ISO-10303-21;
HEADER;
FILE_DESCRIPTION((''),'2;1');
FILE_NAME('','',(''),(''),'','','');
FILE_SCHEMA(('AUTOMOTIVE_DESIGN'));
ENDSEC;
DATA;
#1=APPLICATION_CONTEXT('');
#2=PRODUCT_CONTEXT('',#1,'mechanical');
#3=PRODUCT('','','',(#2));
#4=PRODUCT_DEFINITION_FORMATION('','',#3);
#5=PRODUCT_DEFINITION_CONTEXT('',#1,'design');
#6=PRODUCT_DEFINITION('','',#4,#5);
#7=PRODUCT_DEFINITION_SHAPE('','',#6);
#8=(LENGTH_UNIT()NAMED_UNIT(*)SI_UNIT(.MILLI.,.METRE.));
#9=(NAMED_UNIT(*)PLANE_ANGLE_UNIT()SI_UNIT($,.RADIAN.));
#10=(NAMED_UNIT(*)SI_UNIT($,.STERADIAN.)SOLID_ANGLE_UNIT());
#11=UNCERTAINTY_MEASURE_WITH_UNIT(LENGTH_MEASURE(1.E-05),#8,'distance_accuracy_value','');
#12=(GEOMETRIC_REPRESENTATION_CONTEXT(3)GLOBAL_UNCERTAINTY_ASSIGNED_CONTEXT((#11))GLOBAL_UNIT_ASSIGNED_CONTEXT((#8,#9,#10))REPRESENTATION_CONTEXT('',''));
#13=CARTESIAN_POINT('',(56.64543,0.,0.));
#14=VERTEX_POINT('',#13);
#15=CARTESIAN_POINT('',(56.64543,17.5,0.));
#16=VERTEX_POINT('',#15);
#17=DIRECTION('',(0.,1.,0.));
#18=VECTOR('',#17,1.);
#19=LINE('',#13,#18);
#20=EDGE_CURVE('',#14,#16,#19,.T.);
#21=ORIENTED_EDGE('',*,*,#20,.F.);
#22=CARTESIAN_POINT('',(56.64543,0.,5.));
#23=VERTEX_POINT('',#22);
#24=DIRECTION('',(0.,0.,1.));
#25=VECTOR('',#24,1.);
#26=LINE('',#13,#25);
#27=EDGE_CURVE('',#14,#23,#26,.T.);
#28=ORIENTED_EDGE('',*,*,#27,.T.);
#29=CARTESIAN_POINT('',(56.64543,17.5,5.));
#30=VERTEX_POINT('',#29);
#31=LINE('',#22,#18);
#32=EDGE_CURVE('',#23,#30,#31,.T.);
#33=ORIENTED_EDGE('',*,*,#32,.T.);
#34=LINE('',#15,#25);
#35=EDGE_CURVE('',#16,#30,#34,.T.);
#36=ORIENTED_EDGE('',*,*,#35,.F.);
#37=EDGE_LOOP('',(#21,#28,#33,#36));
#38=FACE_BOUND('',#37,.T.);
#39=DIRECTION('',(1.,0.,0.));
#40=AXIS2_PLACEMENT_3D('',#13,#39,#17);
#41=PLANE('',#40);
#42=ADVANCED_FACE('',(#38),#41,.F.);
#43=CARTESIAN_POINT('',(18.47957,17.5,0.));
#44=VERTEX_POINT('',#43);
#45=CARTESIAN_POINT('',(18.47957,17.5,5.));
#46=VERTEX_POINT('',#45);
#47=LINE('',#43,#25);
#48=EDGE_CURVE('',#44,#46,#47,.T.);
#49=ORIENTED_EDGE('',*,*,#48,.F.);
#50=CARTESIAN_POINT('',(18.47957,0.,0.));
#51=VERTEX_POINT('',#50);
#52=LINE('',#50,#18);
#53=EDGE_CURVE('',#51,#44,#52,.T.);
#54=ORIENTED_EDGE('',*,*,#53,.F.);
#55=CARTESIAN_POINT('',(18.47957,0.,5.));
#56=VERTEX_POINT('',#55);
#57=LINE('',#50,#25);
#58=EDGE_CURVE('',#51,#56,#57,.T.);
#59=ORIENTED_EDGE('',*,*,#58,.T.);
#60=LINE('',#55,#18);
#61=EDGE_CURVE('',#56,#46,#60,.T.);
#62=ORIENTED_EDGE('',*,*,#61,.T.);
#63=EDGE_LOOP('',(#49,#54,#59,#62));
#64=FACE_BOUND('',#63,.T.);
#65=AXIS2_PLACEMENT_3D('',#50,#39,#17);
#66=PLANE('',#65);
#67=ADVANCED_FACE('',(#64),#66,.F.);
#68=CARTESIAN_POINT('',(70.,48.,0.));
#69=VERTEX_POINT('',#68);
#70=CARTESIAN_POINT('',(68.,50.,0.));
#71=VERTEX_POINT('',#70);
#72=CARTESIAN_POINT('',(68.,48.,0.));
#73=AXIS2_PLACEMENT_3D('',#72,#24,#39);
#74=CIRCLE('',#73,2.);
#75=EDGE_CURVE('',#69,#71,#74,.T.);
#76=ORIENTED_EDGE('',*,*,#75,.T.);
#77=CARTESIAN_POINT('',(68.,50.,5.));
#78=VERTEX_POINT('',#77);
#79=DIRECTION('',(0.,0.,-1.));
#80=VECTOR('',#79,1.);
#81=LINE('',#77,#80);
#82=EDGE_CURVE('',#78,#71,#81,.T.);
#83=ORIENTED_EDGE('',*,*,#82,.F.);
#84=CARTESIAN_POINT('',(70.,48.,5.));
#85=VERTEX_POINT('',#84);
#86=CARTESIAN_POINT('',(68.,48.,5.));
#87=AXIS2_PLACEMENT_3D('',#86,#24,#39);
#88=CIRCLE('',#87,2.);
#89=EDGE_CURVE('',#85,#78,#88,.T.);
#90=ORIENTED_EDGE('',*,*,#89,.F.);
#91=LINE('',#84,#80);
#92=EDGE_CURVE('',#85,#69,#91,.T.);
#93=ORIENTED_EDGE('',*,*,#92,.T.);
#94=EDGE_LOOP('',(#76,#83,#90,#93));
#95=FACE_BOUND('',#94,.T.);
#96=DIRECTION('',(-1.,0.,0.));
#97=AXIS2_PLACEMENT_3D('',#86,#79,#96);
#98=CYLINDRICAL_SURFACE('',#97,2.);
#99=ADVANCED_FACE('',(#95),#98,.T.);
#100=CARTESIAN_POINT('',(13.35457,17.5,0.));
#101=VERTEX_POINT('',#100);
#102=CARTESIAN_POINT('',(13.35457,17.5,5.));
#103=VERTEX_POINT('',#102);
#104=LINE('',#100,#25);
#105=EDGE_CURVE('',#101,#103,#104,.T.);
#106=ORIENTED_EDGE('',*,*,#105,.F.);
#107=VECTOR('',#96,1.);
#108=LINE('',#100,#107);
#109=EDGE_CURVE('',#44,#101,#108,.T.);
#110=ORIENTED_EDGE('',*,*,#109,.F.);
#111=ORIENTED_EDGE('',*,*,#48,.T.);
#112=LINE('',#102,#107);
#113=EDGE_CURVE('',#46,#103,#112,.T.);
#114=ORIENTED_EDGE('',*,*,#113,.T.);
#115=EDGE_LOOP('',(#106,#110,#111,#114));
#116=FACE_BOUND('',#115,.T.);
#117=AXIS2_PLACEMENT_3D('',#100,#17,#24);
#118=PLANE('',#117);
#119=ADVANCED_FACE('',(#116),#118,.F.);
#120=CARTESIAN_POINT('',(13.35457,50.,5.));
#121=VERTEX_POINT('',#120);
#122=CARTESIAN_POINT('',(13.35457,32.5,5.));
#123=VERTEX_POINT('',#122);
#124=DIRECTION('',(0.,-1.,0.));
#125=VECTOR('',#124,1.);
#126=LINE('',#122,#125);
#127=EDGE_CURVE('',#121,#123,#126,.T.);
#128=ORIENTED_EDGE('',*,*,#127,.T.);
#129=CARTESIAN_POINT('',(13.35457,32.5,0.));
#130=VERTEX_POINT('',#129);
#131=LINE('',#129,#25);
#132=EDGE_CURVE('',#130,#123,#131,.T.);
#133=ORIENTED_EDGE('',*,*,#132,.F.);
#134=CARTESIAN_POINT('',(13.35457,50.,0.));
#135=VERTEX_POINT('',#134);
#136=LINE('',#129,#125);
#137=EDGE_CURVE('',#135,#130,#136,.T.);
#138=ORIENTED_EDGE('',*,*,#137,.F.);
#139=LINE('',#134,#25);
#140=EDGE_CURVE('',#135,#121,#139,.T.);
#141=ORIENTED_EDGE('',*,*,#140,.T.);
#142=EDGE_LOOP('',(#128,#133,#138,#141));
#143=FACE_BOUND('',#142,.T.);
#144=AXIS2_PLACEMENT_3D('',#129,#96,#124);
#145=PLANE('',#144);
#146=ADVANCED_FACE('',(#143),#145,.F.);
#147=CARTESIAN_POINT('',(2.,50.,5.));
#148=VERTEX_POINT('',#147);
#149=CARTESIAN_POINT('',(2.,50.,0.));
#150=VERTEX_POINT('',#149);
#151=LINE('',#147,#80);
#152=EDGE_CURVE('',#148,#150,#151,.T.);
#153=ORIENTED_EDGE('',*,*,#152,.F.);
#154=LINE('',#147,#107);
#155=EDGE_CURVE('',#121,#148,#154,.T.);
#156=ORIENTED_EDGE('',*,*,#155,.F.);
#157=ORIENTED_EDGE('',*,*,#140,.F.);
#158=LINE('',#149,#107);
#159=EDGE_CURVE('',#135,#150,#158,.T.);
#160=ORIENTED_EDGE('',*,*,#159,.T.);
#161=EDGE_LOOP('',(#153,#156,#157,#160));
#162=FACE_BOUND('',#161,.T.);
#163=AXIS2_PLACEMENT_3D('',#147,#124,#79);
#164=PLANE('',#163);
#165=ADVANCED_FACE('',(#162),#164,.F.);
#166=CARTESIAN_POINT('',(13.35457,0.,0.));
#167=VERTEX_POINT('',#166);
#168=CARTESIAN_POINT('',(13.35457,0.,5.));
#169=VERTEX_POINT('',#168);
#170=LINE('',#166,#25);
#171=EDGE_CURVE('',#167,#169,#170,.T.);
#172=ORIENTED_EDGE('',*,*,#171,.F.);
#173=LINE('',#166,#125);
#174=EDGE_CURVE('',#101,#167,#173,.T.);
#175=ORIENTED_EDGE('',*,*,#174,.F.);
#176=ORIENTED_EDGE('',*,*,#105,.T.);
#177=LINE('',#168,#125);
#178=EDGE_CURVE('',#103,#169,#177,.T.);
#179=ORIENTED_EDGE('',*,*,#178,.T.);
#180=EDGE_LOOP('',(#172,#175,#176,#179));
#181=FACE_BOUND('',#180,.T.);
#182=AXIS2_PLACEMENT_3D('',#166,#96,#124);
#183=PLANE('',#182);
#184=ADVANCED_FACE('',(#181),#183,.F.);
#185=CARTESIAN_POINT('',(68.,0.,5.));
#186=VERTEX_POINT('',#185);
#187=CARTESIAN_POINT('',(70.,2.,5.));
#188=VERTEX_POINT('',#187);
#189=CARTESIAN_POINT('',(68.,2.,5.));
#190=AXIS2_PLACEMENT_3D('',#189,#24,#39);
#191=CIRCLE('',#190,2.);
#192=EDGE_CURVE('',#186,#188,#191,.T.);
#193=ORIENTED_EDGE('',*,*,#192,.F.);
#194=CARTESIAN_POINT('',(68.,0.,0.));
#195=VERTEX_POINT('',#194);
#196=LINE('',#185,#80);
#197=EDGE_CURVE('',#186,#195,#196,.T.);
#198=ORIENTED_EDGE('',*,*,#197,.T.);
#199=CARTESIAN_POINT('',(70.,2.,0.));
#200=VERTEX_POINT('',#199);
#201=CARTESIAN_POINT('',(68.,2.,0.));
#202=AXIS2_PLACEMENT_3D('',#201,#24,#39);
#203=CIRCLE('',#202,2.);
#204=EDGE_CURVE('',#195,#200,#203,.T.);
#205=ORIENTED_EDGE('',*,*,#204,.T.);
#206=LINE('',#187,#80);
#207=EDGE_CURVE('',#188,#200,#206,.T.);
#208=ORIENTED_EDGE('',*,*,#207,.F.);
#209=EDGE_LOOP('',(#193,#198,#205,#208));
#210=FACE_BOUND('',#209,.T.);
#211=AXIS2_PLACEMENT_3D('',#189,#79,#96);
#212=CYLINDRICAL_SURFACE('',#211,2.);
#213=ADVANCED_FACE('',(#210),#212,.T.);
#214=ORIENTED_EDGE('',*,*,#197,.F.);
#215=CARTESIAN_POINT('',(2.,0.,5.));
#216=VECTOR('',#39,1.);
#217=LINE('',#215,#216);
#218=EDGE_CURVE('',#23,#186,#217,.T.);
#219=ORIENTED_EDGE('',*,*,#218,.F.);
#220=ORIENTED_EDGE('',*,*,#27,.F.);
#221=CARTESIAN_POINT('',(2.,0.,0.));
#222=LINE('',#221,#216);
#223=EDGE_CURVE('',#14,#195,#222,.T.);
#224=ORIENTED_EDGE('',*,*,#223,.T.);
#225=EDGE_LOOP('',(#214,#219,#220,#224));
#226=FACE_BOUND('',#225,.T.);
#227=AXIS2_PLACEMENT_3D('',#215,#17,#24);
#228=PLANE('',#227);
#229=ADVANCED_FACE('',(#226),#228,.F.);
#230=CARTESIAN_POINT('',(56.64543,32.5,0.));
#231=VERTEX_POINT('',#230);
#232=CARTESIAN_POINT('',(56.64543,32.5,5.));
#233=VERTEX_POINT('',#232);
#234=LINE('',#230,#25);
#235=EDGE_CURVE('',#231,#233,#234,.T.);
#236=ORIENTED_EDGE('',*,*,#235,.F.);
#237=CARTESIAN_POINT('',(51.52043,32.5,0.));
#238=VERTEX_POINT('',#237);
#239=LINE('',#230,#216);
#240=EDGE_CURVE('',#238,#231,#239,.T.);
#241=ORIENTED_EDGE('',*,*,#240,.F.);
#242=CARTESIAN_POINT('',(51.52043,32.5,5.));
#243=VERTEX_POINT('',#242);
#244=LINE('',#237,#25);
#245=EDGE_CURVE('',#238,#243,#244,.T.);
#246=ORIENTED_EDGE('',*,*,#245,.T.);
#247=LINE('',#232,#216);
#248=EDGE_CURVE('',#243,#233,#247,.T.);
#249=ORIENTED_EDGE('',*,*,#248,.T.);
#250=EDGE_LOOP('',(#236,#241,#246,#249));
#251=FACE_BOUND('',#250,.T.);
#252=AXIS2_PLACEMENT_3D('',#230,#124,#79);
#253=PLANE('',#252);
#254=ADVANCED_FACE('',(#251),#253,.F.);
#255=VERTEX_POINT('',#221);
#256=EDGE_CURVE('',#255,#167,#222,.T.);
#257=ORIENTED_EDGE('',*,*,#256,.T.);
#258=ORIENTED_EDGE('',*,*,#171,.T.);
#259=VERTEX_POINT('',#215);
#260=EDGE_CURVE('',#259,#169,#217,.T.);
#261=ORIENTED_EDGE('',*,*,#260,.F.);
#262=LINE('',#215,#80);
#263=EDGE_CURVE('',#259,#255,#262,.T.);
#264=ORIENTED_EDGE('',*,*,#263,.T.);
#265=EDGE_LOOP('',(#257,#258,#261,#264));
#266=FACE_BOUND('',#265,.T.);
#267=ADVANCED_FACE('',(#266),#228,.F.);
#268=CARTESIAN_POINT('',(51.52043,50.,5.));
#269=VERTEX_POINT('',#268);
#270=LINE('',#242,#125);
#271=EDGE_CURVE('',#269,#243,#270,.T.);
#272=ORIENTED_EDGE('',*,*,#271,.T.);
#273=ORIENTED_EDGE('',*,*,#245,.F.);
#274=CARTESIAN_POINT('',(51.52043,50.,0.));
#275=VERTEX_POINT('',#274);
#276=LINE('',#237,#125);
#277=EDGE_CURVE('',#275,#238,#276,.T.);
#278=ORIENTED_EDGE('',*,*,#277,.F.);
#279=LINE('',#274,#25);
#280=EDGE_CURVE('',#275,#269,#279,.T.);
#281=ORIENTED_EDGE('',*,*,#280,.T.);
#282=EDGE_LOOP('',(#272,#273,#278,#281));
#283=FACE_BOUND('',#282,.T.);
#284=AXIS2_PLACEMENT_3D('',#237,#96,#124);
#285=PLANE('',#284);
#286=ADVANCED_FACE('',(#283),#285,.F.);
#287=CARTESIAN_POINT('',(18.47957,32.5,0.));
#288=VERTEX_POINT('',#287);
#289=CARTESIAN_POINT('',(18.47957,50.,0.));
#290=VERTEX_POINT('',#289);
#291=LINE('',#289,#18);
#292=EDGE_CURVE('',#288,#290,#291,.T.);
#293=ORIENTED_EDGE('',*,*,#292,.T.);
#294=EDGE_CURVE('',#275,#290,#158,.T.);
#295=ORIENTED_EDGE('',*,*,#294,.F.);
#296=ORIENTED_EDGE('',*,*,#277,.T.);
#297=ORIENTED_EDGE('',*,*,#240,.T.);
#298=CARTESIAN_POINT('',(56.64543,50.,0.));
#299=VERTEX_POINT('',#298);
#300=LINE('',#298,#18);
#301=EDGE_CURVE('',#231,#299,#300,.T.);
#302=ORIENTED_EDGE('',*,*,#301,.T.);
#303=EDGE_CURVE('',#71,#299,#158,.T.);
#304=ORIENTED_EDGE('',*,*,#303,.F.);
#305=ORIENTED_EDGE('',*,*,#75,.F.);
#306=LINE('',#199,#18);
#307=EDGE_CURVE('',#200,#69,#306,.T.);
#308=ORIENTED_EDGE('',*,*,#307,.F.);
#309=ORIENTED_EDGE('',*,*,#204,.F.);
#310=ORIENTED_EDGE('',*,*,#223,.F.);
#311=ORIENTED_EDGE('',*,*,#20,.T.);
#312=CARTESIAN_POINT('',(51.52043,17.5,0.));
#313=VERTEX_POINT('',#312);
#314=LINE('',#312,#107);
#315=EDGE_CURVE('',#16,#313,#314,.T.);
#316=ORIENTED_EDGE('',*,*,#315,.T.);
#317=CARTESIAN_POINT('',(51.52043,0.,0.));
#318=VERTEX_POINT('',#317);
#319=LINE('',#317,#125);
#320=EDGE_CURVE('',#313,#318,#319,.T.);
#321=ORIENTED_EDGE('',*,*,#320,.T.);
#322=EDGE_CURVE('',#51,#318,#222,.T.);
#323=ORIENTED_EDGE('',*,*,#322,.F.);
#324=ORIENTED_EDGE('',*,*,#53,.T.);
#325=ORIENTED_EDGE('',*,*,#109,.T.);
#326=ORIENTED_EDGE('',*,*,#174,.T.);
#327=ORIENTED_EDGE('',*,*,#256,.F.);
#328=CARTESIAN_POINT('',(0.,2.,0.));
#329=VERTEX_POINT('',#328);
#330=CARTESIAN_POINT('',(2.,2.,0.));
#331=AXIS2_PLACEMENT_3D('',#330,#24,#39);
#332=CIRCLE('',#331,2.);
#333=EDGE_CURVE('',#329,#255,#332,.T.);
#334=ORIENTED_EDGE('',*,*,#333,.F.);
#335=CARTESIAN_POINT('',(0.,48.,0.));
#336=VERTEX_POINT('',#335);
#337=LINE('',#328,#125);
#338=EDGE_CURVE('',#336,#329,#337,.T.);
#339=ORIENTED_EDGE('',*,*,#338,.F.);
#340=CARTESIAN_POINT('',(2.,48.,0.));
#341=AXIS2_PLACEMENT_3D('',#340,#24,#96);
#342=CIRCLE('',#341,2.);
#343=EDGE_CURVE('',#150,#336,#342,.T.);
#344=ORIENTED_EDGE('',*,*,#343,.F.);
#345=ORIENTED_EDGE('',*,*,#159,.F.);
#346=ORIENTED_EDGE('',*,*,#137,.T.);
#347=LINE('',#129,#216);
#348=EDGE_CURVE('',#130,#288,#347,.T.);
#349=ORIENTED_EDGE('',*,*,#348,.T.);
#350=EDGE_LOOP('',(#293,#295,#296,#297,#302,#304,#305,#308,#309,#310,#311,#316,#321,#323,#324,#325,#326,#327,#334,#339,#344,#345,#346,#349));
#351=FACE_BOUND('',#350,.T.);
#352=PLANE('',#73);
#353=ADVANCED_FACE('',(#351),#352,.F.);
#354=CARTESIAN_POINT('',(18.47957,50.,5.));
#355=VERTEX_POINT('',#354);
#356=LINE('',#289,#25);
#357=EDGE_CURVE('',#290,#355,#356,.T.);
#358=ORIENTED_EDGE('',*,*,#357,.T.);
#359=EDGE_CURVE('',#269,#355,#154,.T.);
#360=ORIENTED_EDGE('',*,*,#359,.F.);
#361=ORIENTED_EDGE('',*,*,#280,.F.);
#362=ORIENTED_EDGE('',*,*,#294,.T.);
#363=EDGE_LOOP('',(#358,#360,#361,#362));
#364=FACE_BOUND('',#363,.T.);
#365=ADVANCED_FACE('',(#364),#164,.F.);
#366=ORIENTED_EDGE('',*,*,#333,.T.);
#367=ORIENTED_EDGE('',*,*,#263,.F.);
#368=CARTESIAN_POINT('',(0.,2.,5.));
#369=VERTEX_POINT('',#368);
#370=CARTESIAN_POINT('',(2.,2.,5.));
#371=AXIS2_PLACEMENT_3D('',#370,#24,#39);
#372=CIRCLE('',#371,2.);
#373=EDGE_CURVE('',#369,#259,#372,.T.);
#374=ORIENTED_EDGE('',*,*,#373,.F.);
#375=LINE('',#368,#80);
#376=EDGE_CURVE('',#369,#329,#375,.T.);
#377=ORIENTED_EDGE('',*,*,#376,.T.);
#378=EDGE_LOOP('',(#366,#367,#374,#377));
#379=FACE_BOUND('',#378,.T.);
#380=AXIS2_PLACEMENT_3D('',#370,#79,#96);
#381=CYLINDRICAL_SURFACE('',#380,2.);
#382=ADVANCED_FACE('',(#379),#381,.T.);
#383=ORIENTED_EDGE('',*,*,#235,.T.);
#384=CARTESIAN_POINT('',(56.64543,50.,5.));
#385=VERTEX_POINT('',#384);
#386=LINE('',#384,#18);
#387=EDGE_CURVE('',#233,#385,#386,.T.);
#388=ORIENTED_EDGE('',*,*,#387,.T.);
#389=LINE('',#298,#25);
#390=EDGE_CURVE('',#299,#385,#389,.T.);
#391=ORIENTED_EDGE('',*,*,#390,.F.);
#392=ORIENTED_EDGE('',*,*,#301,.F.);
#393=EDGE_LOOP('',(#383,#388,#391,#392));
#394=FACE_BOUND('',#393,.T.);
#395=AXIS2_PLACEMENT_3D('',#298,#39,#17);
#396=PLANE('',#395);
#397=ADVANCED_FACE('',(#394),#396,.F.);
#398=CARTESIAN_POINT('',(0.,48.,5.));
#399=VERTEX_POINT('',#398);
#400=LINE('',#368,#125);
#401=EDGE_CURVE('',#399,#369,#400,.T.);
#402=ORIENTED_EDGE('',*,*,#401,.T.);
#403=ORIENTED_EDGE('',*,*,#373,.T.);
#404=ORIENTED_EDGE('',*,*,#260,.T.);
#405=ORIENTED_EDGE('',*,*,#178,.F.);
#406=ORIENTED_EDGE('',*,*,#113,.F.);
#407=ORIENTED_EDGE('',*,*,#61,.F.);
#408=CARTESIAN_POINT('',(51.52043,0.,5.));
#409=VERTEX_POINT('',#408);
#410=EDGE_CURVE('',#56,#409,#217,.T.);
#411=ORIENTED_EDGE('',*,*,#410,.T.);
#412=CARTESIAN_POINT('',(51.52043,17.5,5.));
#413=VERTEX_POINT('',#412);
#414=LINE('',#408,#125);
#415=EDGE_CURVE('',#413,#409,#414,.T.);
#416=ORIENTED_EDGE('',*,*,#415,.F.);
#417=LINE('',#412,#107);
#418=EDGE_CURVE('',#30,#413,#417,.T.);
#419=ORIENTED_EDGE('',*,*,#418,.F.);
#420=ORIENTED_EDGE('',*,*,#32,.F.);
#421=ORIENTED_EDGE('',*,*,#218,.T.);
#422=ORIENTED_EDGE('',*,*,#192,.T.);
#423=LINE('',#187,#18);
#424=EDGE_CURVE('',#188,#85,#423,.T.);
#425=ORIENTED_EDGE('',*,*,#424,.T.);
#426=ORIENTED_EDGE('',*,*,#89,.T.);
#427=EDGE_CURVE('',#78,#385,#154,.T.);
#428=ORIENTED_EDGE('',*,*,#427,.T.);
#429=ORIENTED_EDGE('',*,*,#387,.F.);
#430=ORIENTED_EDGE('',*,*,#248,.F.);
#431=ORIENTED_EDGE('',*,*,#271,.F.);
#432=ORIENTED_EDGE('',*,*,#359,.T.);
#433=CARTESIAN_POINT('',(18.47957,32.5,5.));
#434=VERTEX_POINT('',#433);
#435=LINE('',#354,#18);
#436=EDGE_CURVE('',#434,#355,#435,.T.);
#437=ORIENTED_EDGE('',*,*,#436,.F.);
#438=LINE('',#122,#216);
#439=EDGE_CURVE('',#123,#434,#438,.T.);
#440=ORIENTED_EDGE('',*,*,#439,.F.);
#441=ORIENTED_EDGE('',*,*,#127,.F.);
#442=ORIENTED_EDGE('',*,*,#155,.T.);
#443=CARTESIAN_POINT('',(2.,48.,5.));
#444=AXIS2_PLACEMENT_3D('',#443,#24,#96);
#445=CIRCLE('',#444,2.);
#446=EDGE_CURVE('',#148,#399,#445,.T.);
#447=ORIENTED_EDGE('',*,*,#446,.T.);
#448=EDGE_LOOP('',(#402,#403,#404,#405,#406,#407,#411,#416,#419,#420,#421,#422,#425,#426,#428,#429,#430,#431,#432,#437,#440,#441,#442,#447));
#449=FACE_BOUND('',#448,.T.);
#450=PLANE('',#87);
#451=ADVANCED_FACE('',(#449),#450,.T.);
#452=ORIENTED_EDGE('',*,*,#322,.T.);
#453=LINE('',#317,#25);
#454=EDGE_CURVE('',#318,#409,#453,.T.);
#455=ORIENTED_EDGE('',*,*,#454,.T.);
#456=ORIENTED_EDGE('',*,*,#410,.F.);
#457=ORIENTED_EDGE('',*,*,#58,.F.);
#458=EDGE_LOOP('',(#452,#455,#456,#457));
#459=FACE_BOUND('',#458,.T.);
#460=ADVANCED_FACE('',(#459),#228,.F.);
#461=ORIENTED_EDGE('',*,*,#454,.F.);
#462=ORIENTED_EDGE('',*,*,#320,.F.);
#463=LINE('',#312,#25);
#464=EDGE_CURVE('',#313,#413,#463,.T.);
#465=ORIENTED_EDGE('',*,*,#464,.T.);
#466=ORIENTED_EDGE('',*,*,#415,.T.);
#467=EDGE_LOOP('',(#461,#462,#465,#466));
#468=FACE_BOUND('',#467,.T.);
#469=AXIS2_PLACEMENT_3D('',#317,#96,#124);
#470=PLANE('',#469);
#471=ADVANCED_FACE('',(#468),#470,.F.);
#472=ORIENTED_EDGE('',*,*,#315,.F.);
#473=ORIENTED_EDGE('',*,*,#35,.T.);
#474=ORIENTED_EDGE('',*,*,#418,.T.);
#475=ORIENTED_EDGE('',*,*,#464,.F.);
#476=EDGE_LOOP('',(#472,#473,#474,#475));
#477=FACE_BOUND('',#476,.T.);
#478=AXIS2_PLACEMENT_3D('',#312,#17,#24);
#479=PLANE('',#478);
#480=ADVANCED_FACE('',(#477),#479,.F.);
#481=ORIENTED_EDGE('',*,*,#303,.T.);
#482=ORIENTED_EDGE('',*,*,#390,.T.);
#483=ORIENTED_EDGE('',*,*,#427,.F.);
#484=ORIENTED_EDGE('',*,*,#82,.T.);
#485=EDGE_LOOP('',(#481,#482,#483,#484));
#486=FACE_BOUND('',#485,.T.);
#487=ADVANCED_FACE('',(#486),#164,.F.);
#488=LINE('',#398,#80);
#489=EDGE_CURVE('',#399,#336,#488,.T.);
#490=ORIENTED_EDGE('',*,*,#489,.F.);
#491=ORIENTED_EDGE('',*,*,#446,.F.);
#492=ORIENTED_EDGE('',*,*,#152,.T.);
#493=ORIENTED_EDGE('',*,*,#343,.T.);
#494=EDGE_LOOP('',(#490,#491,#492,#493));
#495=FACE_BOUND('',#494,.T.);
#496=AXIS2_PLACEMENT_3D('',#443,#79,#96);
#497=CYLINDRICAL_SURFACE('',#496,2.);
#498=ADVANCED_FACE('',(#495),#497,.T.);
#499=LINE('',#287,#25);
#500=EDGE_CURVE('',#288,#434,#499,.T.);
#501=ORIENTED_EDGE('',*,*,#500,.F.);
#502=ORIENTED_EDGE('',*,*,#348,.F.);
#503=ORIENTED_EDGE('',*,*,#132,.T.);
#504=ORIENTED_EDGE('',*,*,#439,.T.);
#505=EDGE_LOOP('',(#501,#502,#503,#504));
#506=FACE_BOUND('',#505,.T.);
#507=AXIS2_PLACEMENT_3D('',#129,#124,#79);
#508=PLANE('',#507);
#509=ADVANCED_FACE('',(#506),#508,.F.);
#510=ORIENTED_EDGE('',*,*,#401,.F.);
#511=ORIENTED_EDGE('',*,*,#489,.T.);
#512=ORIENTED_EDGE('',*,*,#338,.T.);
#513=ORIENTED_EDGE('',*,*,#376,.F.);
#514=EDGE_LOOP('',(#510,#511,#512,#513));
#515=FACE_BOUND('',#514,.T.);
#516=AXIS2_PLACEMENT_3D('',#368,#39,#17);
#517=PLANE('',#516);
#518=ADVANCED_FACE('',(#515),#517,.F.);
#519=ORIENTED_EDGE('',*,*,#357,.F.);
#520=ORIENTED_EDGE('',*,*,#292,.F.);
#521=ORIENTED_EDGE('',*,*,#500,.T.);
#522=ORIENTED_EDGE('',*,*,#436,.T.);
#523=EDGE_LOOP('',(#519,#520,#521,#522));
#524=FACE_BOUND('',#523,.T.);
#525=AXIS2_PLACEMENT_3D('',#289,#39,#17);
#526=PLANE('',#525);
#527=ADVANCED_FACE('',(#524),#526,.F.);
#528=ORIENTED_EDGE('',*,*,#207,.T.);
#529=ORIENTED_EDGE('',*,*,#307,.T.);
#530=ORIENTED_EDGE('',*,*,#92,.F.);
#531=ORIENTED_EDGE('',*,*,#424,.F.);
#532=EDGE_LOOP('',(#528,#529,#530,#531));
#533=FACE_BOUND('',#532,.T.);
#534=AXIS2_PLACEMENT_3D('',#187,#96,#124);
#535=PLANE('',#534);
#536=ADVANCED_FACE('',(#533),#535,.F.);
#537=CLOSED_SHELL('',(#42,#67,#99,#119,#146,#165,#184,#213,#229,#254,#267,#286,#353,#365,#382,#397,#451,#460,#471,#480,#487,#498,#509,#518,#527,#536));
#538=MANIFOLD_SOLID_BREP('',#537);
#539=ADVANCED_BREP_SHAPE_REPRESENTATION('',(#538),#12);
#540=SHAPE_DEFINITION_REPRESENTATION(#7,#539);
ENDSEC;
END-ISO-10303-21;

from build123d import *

# Parameters (mm, degrees)
BOSS_EXTRUDE1_DEPTH = 5
SKETCH2_W           = 5.125
SKETCH2_H           = 17.5
CUT_EXTRUDE1_DEPTH  = 5


with BuildPart() as part:
    # Sketch1 → Boss-Extrude1 (new body)
    with BuildSketch(Plane.XY):
        with BuildLine():
            Line((2, 0), (68, 0))
            ThreePointArc((68, 0), (69.414213562, 0.585786438), (70, 2))
            Line((70, 2), (70, 48))
            ThreePointArc((70, 48), (69.414213562, 49.414213562), (68, 50))
            Line((68, 50), (2, 50))
            ThreePointArc((2, 50), (0.585786438, 49.414213562), (0, 48))
            Line((0, 48), (0, 2))
            ThreePointArc((0, 2), (0.585786438, 0.585786438), (2, 0))
        make_face()
    extrude(amount=BOSS_EXTRUDE1_DEPTH)

    # Sketch2 → Cut-Extrude1 (cut)
    with BuildSketch(Plane(origin=(-23.39926368, 94.916866164, 5), x_dir=(1, 0, 0), z_dir=(0, 0, 1))):
        with Locations((39.316333928, -53.666866164)):
            Rectangle(SKETCH2_W, SKETCH2_H)
        with Locations((77.482193432, -53.666866164)):
            Rectangle(SKETCH2_W, SKETCH2_H)
        with Locations((39.316333928, -86.166866164)):
            Rectangle(SKETCH2_W, SKETCH2_H)
        with Locations((77.482193432, -86.166866164)):
            Rectangle(SKETCH2_W, SKETCH2_H)
    extrude(amount=-CUT_EXTRUDE1_DEPTH, mode=Mode.SUBTRACT)


solid = part.part
